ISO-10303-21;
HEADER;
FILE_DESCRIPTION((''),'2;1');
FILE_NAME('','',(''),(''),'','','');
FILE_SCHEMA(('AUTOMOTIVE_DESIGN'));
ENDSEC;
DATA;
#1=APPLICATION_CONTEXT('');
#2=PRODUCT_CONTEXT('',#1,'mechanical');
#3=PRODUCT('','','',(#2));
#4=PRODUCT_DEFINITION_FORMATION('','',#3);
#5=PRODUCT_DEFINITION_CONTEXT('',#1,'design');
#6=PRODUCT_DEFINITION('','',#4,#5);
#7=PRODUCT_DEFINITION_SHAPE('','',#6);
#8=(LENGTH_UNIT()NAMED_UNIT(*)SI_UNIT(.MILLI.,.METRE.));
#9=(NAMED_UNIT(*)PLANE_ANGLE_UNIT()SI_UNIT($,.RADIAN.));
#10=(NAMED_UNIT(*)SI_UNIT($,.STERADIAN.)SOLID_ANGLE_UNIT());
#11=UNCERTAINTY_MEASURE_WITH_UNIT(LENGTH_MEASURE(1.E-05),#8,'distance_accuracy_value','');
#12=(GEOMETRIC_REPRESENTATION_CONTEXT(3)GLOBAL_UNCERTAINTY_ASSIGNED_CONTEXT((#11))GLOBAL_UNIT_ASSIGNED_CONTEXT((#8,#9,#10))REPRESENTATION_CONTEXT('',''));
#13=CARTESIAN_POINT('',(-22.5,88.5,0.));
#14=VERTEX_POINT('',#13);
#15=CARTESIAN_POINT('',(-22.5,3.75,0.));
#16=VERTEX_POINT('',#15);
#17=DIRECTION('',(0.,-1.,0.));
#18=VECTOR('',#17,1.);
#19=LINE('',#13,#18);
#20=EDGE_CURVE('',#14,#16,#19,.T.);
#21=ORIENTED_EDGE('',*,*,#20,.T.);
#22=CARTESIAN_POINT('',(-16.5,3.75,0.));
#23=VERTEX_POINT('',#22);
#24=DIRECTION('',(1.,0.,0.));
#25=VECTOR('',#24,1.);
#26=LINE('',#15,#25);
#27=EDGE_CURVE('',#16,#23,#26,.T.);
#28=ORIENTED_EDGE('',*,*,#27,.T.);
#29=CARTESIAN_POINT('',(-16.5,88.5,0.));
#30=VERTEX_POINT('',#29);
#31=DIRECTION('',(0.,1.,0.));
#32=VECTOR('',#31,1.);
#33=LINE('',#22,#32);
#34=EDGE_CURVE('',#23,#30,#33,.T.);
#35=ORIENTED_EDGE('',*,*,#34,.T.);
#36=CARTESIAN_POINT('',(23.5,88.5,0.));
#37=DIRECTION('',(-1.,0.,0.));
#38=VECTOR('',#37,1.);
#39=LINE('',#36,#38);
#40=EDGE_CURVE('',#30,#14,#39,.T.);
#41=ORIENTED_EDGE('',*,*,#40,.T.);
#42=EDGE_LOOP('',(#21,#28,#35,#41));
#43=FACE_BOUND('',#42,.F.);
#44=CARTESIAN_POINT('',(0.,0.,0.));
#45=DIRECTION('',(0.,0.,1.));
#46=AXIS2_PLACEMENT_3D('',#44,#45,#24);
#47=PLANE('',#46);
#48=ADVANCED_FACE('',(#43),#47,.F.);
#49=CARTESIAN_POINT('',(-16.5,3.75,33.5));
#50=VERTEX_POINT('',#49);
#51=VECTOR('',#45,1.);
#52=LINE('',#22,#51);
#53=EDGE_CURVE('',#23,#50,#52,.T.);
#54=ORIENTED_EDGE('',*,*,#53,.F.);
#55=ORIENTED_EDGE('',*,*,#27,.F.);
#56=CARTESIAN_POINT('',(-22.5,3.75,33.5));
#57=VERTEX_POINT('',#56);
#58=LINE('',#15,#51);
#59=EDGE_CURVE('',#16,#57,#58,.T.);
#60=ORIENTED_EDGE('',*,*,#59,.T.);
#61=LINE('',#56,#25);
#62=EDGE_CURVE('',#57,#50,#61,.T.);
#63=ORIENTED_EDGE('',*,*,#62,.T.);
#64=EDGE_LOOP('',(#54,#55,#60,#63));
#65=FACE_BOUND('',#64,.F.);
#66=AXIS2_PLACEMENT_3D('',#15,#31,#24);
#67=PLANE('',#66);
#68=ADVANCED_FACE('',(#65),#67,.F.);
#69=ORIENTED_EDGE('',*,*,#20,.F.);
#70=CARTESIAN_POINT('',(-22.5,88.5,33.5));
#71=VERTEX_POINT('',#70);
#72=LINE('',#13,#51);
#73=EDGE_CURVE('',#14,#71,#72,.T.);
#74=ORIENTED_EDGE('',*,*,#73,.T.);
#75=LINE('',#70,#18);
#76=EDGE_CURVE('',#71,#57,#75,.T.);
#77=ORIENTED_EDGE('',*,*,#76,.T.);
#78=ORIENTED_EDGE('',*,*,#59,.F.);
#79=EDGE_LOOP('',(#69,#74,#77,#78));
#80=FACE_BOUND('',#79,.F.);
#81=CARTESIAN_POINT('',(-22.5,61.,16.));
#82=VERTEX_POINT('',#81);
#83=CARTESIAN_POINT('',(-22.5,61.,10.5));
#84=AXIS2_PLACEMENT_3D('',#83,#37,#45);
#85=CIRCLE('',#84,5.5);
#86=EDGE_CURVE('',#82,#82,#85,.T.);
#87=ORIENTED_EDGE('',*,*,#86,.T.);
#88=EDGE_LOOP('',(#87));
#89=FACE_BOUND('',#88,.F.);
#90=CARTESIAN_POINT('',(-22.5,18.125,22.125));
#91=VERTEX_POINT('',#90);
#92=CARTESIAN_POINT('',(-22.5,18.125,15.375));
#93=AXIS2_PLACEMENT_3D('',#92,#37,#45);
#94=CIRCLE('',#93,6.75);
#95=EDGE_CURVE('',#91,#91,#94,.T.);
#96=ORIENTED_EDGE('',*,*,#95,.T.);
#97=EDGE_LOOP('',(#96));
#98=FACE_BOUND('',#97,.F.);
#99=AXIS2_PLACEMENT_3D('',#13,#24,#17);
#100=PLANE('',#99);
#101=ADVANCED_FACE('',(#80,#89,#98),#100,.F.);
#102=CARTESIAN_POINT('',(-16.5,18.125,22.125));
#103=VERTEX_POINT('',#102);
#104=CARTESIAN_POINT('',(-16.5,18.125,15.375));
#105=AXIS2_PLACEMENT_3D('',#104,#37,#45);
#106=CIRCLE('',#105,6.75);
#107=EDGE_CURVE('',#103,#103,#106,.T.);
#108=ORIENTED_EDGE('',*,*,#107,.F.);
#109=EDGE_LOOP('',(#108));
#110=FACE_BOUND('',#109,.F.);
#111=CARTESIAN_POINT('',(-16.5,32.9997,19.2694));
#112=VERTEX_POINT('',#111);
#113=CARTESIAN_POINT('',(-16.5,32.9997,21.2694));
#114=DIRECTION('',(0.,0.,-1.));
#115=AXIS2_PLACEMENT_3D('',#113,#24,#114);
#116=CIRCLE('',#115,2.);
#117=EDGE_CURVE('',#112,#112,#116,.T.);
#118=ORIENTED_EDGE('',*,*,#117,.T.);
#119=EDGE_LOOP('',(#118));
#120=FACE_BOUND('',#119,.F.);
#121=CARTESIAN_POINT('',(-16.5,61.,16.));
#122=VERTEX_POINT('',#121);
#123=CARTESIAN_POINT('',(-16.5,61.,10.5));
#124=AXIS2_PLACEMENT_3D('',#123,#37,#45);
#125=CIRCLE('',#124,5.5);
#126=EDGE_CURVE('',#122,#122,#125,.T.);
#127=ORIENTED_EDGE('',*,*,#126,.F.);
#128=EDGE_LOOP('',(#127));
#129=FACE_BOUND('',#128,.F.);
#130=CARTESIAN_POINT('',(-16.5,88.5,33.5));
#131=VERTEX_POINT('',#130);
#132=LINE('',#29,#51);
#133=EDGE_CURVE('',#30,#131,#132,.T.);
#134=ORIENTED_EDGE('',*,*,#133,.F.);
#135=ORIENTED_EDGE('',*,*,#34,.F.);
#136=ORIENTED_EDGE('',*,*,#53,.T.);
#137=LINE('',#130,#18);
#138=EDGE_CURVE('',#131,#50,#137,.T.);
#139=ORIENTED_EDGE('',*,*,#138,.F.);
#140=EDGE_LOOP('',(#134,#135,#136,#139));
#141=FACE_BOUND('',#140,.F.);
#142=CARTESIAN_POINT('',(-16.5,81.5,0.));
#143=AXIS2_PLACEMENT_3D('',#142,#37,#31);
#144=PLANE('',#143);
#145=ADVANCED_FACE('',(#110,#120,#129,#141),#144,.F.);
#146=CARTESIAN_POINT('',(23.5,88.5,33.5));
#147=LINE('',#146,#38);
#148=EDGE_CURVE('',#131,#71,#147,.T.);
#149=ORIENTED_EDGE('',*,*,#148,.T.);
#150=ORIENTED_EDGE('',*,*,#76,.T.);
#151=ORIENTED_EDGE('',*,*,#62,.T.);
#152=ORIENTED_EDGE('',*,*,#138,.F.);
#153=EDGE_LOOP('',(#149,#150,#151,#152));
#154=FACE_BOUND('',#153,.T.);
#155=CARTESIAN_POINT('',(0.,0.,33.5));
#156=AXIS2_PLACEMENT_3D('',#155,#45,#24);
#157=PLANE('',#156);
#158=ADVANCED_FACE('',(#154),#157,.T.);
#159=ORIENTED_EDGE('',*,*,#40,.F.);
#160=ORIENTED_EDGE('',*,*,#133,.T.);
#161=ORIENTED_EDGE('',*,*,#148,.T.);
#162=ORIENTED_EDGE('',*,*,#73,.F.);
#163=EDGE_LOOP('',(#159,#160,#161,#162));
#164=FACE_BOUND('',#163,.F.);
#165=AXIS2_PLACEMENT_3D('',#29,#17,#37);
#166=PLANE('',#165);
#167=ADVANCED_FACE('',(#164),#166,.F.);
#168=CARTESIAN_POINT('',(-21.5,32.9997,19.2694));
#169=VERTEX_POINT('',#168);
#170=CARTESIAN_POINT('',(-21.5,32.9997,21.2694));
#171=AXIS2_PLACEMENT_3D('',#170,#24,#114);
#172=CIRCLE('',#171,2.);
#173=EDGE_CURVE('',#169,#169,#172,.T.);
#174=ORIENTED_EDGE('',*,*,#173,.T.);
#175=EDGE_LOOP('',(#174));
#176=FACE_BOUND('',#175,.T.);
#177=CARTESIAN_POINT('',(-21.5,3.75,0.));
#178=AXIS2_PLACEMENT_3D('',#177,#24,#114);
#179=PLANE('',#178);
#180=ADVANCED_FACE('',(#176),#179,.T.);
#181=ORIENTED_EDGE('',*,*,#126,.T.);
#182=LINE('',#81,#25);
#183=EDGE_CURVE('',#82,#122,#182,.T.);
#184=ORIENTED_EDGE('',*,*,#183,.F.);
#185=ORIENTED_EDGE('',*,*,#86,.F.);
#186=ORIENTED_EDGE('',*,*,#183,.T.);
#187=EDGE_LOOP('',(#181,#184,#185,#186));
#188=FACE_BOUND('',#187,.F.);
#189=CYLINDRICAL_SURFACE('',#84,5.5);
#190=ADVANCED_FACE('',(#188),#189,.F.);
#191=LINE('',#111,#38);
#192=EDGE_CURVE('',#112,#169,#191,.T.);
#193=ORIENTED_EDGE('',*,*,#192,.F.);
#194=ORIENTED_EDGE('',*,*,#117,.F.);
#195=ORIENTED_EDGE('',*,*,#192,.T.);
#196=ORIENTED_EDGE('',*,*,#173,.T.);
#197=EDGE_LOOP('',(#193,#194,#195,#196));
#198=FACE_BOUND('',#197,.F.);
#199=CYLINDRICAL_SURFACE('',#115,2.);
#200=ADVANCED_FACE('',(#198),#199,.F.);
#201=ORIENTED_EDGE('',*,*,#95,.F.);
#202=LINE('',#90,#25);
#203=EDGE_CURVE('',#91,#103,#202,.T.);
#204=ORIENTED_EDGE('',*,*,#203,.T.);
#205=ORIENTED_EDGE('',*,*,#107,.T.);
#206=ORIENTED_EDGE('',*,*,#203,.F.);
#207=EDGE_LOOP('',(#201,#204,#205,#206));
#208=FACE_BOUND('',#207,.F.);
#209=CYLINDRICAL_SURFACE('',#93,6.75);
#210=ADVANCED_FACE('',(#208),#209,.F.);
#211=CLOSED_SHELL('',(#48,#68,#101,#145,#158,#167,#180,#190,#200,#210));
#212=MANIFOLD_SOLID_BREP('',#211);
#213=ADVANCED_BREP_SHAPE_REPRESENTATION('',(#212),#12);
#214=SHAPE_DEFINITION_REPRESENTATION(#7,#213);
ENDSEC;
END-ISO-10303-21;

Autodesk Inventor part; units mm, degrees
ref_plane "YZ Plane" through (0, 0, 0) normal (1, 0, 0) x (0, 1, 0)
ref_plane "XZ Plane" through (0, 0, 0) normal (0, 1, 0) x (-1, 0, 0)
ref_plane "Work Plane1" through (0, 0, 0) normal (0, 0, 1) x (1, 0, 0)
sketch "Sketch1" plane through (0, 0, 0) normal (0, 0, 1) x (1, 0, 0)
  line L0 (23.5, 88.5) -> (-23.5, 88.5) projected
  line L1 (-23.5, 88.5) -> (-23.5, 36.5) projected
  line L2 (-26.5, 33.5) -> (-89, 33.5) projected
  line L3 (-89, 33.5) -> (-89, -72.5) projected
  line L4 (-89, -72.5) -> (-77, -72.5) projected
  line L5 (-74, -75.5) -> (-74, -93.5) projected
  line L6 (-74, -93.5) -> (74, -93.5) projected
  line L7 (74, -93.5) -> (74, -75.5) projected
  line L8 (77, -72.5) -> (89, -72.5) projected
  line L9 (89, -72.5) -> (89, 33.5) projected
  line L10 (89, 33.5) -> (26.5, 33.5) projected
  line L11 (23.5, 36.5) -> (23.5, 88.5) projected
  line L12 (-4.5, 81.5) -> (-4.5, 36.5) projected
  line L13 (-7.5, 33.5) -> (-13.5, 33.5) projected
  line L14 (-16.5, 36.5) -> (-16.5, 81.5) projected
  line L15 (-13.5, 84.5) -> (-7.5, 84.5) projected
  line L16 (16.5, 81.5) -> (16.5, 36.5) projected
  line L17 (13.5, 33.5) -> (7.5, 33.5) projected
  line L18 (4.5, 36.5) -> (4.5, 81.5) projected
  line L19 (7.5, 84.5) -> (13.5, 84.5) projected
  line L20 (-16.5, 88.5) -> (-22.5, 88.5)
  line L21 (-22.5, 88.5) -> (-22.5, 3.75)
  line L22 (-22.5, 3.75) -> (-16.5, 3.75)
  line L23 (-16.5, 3.75) -> (-16.5, 88.5)
  line L24 (-32.2, 4.75) -> (-59.9, 4.75)
  arc A0 (13.5, 33.5) -> (16.5, 36.5) centre (13.5, 36.5) ccw projected
  arc A1 (4.5, 36.5) -> (7.5, 33.5) centre (7.5, 36.5) ccw projected
  arc A2 (7.5, 84.5) -> (4.5, 81.5) centre (7.5, 81.5) ccw projected
  arc A3 (16.5, 81.5) -> (13.5, 84.5) centre (13.5, 81.5) ccw projected
  arc A4 (-4.5, 81.5) -> (-7.5, 84.5) centre (-7.5, 81.5) ccw projected
  arc A5 (-7.5, 33.5) -> (-4.5, 36.5) centre (-7.5, 36.5) ccw projected
  arc A6 (-16.5, 36.5) -> (-13.5, 33.5) centre (-13.5, 36.5) ccw projected
  arc A7 (-13.5, 84.5) -> (-16.5, 81.5) centre (-13.5, 81.5) ccw projected
  arc A8 (-26.5, 33.5) -> (-23.5, 36.5) centre (-26.5, 36.5) ccw projected
  arc A9 (-74, -75.5) -> (-77, -72.5) centre (-77, -75.5) ccw projected
  arc A10 (77, -72.5) -> (74, -75.5) centre (77, -75.5) ccw projected
  arc A11 (23.5, 36.5) -> (26.5, 33.5) centre (26.5, 36.5) ccw projected
  point P0 (0, 0)
  point P1 (-16.5, 36.5)
  point P2 (-16.5, 81.5)
  dimension "d0" = 1
  dimension "d2" = 1
ref_plane "Work Plane2" through (-89, -40.3889, 33.5) normal (0, 0, 1) x (1, 0, 0)
extrude "Extrusion1" add sketch "Sketch1" along normal up to surface (33.5 mm away) contours L23 L14 L22 L21 L0
sketch "Sketch2" plane through (-22.5, 3.75, 0) normal (-1, 0, 0) x (0, 0, 1)
  arc A0 (13.7043, 8.7757) -> (14.863, 10.545) centre (10.3771, 12.2188) ccw projected
  arc A1 (14.863, 10.545) -> (15.4685, 10.512) centre (15.375, 14.375) ccw projected
  arc A2 (15.4685, 10.512) -> (16.4285, 8.6275) centre (20.1095, 11.6893) ccw projected
  arc A3 (16.4285, 8.6275) -> (17.3146, 8.863) centre (15.375, 14.375) ccw projected
  arc A4 (17.3146, 8.863) -> (17.2121, 10.9755) centre (12.599, 9.6929) ccw projected
  arc A5 (17.2121, 10.9755) -> (17.7212, 11.3047) centre (15.375, 14.375) ccw projected
  arc A6 (17.7212, 11.3047) -> (19.6056, 10.3444) centre (20.7839, 14.9851) ccw projected
  arc A7 (19.6056, 10.3444) -> (20.184, 11.0558) centre (15.375, 14.375) ccw projected
  arc A8 (20.184, 11.0558) -> (18.8594, 12.7045) centre (15.8813, 8.9554) ccw projected
  arc A9 (18.8594, 12.7045) -> (19.0778, 13.2702) centre (15.375, 14.375) ccw projected
  arc A10 (19.0778, 13.2702) -> (21.1668, 13.6008) centre (19.3923, 18.0479) ccw projected
  arc A11 (21.1668, 13.6008) -> (21.2166, 14.5164) centre (15.375, 14.375) ccw projected
  arc A12 (21.2166, 14.5164) -> (19.1758, 15.0716) centre (18.9701, 10.288) ccw projected
  arc A13 (19.1758, 15.0716) -> (19.02, 15.6576) centre (15.375, 14.375) ccw projected
  arc A14 (19.02, 15.6576) -> (20.5157, 17.153) centre (16.4662, 19.7077) ccw projected
  arc A15 (20.5157, 17.153) -> (20.0178, 17.923) centre (15.375, 14.375) ccw projected
  arc A16 (20.0178, 17.923) -> (18.0404, 17.1726) centre (20.6858, 13.1817) ccw projected
  arc A17 (18.0404, 17.1726) -> (17.57, 17.5552) centre (15.375, 14.375) ccw projected
  arc A18 (17.57, 17.5552) -> (17.9011, 19.644) centre (13.1233, 19.3306) ccw projected
  arc A19 (17.9011, 19.644) -> (17.0457, 19.9743) centre (15.375, 14.375) ccw projected
  arc A20 (17.0457, 19.9743) -> (15.887, 18.205) centre (20.3729, 16.5312) ccw projected
  arc A21 (15.887, 18.205) -> (15.2815, 18.238) centre (15.375, 14.375) ccw projected
  arc A22 (15.2815, 18.238) -> (14.3215, 20.1225) centre (10.6405, 17.0607) ccw projected
  arc A23 (14.3215, 20.1225) -> (13.4354, 19.887) centre (15.375, 14.375) ccw projected
  arc A24 (13.4354, 19.887) -> (13.5379, 17.7745) centre (18.151, 19.0571) ccw projected
  arc A25 (13.5379, 17.7745) -> (13.0288, 17.4453) centre (15.375, 14.375) ccw projected
  arc A26 (13.0288, 17.4453) -> (11.1444, 18.4056) centre (9.9661, 13.7649) ccw projected
  arc A27 (11.1444, 18.4056) -> (10.566, 17.6942) centre (15.375, 14.375) ccw projected
  arc A28 (10.566, 17.6942) -> (11.8906, 16.0455) centre (14.8687, 19.7946) ccw projected
  arc A29 (11.8906, 16.0455) -> (11.6722, 15.4798) centre (15.375, 14.375) ccw projected
  arc A30 (11.6722, 15.4798) -> (9.5832, 15.1492) centre (11.3577, 10.7021) ccw projected
  arc A31 (9.5832, 15.1492) -> (9.5334, 14.2336) centre (15.375, 14.375) ccw projected
  arc A32 (9.5334, 14.2336) -> (11.5742, 13.6784) centre (11.7799, 18.462) ccw projected
  arc A33 (11.5742, 13.6784) -> (11.73, 13.0924) centre (15.375, 14.375) ccw projected
  arc A34 (11.73, 13.0924) -> (10.2343, 11.597) centre (14.2838, 9.0423) ccw projected
  arc A35 (10.2343, 11.597) -> (10.7322, 10.827) centre (15.375, 14.375) ccw projected
  arc A36 (10.7322, 10.827) -> (12.7096, 11.5774) centre (10.0642, 15.5683) ccw projected
  arc A37 (12.7096, 11.5774) -> (13.18, 11.1948) centre (15.375, 14.375) ccw projected
  arc A38 (13.18, 11.1948) -> (12.8489, 9.106) centre (17.6267, 9.4194) ccw projected
  arc A39 (12.8489, 9.106) -> (13.7043, 8.7757) centre (15.375, 14.375) ccw projected
  circle A40 centre (15.375, 14.375) radius 6.75
  circle A41 centre (15.375, 14.375) radius 5.8433
  line L0 (21.2183, 14.375) -> (22.125, 14.375)
  circle A42 centre (10.5, 57.25) radius 5.5 projected
  point P0 (0, -3.75)
  dimension "d6" = 13.5
  dimension "d5" = 0.9067
  dimension "d9" = 11
extrude "Extrusion2" cut sketch "Sketch2" against normal up to next contours A39 A38 A37 A36 A35 A34 A33 A32 A31 A30 A29 A28 A27 A26 A25 A24 A23 A22 A21 A20 A19 A18 A17 A16 A15 A14 A13 A12 A11 A10 A9 A8 A7 A6 A5 A4 A3 A2 A1 A0 | A40 | A0 A1 A2 A41 | A41 A36 A37 A38 | A4 A5 A6 A41 | A41 A32 A33 A34 | A8 A9 A10 A41 | A41 A28 A29 A30 | A41 A24 A25 A26 | A12 A13 A14 A41 | A41 A20 A21 A22 | A16 A17 A18 A41 | A42
sketch "Sketch3" plane through (-16.5, 3.75, 0) normal (1, 0, 0) x (0, 0, -1)
  circle A0 centre (-21.2694, 29.2497) radius 2 projected
  point P0 (0, -3.75)
extrude "Extrusion3" cut sketch "Sketch3" against normal blind 5
properties part number "right_gear_holder"
